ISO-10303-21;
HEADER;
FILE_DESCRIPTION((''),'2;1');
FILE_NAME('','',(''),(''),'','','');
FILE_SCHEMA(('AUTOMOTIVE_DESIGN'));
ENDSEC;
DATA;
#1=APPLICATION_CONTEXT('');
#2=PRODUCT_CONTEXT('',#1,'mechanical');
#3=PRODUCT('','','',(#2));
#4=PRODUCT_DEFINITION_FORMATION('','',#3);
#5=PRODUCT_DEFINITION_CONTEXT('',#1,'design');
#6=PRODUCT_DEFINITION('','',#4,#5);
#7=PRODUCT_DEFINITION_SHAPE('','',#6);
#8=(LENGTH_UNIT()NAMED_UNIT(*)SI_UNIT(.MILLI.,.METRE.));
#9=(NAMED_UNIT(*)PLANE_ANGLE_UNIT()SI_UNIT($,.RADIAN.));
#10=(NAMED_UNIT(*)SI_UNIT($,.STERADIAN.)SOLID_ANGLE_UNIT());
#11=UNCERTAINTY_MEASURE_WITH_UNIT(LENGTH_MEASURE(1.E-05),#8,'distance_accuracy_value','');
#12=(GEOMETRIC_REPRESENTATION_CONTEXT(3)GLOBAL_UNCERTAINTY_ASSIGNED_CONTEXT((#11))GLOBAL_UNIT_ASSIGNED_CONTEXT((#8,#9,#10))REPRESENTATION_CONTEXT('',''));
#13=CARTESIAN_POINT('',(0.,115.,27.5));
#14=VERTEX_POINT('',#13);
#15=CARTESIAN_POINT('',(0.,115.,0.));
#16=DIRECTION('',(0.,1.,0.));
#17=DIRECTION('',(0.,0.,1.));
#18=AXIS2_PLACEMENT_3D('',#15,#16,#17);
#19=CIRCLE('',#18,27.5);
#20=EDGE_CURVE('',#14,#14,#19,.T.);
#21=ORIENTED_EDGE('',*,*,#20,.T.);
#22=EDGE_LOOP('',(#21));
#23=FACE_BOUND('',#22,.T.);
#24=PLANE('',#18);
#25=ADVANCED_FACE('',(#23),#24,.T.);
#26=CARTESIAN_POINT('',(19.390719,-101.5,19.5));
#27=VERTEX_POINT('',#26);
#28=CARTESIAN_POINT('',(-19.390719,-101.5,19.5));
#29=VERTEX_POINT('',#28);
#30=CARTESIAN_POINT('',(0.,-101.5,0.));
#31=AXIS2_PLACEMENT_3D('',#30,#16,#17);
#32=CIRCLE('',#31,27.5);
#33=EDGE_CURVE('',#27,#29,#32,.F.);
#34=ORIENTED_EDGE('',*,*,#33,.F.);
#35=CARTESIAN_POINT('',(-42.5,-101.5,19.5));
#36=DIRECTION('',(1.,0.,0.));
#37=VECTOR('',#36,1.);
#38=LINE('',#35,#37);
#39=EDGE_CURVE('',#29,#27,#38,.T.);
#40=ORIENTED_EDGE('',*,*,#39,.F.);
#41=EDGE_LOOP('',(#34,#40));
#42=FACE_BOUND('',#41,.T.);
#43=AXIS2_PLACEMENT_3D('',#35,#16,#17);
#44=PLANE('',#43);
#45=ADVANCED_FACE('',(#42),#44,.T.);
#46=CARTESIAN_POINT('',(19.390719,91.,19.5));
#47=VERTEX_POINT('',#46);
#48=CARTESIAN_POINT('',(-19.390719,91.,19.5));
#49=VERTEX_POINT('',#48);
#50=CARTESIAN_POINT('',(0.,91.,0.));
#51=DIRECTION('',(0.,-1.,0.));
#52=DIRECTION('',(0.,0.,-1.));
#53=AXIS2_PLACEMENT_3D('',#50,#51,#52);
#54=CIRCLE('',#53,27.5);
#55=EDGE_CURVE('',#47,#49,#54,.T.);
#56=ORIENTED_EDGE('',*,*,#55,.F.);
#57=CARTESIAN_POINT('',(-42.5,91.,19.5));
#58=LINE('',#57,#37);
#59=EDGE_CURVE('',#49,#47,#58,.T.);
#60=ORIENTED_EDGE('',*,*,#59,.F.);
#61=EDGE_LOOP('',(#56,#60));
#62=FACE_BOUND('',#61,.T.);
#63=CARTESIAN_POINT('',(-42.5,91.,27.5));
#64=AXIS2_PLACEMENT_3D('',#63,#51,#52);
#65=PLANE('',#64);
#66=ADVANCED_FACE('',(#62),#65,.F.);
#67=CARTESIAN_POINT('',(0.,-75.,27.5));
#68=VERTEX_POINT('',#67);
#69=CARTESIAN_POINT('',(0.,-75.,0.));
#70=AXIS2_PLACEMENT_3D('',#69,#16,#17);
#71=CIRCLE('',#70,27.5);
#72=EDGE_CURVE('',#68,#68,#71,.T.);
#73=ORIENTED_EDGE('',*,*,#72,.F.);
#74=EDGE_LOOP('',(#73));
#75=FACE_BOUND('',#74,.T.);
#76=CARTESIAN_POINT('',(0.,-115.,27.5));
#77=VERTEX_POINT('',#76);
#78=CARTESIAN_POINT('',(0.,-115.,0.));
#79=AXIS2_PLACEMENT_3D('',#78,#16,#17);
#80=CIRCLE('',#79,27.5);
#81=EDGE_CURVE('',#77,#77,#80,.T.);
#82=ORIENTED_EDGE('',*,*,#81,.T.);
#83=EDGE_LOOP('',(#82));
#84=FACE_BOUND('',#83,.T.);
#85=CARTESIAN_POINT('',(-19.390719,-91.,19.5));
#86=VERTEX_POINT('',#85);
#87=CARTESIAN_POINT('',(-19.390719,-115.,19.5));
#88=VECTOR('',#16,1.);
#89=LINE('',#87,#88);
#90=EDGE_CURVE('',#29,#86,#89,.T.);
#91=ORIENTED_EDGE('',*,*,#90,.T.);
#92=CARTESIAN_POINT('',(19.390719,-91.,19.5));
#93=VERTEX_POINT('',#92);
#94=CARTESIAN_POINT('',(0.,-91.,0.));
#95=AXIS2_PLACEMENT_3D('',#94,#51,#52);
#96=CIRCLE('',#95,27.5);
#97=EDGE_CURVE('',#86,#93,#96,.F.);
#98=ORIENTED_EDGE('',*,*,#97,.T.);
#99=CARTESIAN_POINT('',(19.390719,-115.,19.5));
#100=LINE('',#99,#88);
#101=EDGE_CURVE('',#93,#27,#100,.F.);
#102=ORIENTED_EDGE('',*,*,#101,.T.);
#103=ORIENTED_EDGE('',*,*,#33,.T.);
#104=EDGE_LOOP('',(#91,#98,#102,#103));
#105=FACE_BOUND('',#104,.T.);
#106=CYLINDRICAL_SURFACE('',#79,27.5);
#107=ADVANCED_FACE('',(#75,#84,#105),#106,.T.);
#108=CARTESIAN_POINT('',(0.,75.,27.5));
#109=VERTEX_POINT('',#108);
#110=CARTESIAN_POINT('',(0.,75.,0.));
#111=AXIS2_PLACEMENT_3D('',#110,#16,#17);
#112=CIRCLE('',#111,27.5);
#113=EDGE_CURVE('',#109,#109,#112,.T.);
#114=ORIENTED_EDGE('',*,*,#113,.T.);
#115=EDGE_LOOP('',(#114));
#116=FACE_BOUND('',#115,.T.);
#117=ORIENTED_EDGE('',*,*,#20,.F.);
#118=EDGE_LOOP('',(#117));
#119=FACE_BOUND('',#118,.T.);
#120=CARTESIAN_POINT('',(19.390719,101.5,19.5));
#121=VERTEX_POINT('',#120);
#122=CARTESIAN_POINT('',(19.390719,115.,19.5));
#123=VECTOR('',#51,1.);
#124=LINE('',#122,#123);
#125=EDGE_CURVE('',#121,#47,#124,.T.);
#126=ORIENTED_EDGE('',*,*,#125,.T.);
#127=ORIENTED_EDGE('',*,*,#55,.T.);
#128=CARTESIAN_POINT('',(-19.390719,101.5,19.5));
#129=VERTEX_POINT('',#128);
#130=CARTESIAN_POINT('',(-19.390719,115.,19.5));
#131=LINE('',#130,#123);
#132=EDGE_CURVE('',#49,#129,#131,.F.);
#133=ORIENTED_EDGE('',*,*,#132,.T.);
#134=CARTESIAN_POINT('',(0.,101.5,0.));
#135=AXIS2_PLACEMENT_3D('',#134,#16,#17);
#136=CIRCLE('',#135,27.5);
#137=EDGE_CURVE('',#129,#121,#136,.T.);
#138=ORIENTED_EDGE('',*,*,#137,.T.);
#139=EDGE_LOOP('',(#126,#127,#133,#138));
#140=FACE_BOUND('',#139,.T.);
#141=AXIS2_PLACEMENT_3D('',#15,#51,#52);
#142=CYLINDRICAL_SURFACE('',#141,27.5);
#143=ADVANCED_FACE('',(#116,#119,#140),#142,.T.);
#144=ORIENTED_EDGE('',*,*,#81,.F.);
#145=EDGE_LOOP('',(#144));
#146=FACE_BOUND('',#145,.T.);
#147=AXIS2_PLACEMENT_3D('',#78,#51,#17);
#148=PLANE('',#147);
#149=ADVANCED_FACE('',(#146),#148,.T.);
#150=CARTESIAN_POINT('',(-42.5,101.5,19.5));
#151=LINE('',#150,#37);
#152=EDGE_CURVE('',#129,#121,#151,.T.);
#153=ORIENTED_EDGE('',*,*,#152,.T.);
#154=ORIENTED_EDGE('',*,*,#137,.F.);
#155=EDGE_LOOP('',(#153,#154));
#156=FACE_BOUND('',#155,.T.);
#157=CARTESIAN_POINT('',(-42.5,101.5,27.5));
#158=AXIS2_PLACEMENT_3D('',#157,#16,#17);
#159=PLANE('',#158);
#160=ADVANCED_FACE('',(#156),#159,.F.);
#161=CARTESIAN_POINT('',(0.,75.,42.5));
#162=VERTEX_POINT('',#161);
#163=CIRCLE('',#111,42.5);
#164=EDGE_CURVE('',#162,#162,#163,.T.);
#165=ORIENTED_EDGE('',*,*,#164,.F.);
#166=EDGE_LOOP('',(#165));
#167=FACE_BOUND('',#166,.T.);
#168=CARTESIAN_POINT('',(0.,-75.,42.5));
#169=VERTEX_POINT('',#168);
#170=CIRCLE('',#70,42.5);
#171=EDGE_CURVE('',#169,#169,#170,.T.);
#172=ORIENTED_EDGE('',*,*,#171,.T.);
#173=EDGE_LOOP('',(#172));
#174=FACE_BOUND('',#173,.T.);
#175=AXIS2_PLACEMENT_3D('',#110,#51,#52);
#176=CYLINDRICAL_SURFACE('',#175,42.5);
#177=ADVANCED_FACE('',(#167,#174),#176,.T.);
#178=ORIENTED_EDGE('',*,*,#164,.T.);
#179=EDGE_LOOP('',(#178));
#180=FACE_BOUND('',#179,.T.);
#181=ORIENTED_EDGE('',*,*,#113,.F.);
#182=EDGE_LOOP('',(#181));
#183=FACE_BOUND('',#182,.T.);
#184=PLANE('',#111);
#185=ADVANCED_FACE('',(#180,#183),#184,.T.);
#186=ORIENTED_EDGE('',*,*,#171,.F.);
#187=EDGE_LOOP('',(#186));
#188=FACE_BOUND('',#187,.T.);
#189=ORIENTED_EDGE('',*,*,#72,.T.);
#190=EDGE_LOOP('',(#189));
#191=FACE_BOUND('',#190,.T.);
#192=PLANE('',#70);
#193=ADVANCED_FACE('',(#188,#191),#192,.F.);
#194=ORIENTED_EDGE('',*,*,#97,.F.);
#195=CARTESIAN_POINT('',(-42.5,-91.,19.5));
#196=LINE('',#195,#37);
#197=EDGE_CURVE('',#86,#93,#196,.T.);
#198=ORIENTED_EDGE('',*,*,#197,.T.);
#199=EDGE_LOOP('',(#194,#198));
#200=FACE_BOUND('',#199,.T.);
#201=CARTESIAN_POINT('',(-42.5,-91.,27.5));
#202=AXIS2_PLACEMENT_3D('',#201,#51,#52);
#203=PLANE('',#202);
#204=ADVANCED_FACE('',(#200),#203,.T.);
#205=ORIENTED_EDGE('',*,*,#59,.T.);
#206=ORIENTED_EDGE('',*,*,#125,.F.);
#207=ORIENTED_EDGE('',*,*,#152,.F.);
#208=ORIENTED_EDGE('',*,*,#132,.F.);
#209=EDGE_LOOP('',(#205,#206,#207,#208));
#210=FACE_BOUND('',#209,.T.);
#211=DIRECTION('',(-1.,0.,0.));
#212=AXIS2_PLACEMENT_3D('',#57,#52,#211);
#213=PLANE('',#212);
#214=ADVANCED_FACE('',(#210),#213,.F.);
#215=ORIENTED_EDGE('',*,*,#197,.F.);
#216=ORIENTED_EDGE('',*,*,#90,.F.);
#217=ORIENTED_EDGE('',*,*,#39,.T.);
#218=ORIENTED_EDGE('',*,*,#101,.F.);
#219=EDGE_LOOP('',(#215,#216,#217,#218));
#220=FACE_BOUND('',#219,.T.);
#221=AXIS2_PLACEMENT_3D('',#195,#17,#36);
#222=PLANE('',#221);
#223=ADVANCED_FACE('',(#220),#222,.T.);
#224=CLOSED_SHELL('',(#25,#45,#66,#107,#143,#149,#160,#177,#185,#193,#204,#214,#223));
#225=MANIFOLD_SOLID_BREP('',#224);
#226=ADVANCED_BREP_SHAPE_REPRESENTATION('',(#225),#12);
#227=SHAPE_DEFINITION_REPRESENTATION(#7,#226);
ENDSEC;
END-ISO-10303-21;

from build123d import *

# Parameters (mm, degrees)
SKETCH1_R           = 42.5
BOSS_EXTRUDE1_DEPTH = 75
SKETCH2_R           = 27.5
BOSS_EXTRUDE2_DEPTH = 40
CUT_EXTRUDE1_DEPTH  = 130.759392724


with BuildPart() as part:
    # Sketch1 → Boss-Extrude1 (new, symmetric)
    with BuildSketch(Plane(origin=(0, 0, 0), x_dir=(-1, 0, 0), z_dir=(0, 1, 0))):
        with Locations(Location((0, 0, 0), (0, 0, 90))):
            Circle(SKETCH1_R)
    extrude(amount=BOSS_EXTRUDE1_DEPTH, both=True)

    # Sketch2 → Boss-Extrude2 (add)
    with BuildSketch(Plane(origin=(0, 75, 0), x_dir=(-1, 0, 0), z_dir=(0, 1, 0))):
        with Locations(Location((0, 0, 0), (0, 0, 90))):
            Circle(SKETCH2_R)
    boss_extrude2 = extrude(amount=BOSS_EXTRUDE2_DEPTH)

    # Sketch3 → Cut-Extrude1 (cut, symmetric)
    with BuildSketch(Plane.YZ):
        Polygon((91, 27.5), (91, 19.5), (101.5, 19.5), (101.5, 27.5), (101.5, 29.5), (91, 29.5), align=None)
    cut_extrude1 = extrude(amount=CUT_EXTRUDE1_DEPTH, both=True, mode=Mode.SUBTRACT)

    # Mirror1: Boss-Extrude2, Cut-Extrude1 across plane
    add(boss_extrude2.mirror(Plane.ZX))
    add(cut_extrude1.mirror(Plane.ZX), mode=Mode.SUBTRACT)


solid = part.part
